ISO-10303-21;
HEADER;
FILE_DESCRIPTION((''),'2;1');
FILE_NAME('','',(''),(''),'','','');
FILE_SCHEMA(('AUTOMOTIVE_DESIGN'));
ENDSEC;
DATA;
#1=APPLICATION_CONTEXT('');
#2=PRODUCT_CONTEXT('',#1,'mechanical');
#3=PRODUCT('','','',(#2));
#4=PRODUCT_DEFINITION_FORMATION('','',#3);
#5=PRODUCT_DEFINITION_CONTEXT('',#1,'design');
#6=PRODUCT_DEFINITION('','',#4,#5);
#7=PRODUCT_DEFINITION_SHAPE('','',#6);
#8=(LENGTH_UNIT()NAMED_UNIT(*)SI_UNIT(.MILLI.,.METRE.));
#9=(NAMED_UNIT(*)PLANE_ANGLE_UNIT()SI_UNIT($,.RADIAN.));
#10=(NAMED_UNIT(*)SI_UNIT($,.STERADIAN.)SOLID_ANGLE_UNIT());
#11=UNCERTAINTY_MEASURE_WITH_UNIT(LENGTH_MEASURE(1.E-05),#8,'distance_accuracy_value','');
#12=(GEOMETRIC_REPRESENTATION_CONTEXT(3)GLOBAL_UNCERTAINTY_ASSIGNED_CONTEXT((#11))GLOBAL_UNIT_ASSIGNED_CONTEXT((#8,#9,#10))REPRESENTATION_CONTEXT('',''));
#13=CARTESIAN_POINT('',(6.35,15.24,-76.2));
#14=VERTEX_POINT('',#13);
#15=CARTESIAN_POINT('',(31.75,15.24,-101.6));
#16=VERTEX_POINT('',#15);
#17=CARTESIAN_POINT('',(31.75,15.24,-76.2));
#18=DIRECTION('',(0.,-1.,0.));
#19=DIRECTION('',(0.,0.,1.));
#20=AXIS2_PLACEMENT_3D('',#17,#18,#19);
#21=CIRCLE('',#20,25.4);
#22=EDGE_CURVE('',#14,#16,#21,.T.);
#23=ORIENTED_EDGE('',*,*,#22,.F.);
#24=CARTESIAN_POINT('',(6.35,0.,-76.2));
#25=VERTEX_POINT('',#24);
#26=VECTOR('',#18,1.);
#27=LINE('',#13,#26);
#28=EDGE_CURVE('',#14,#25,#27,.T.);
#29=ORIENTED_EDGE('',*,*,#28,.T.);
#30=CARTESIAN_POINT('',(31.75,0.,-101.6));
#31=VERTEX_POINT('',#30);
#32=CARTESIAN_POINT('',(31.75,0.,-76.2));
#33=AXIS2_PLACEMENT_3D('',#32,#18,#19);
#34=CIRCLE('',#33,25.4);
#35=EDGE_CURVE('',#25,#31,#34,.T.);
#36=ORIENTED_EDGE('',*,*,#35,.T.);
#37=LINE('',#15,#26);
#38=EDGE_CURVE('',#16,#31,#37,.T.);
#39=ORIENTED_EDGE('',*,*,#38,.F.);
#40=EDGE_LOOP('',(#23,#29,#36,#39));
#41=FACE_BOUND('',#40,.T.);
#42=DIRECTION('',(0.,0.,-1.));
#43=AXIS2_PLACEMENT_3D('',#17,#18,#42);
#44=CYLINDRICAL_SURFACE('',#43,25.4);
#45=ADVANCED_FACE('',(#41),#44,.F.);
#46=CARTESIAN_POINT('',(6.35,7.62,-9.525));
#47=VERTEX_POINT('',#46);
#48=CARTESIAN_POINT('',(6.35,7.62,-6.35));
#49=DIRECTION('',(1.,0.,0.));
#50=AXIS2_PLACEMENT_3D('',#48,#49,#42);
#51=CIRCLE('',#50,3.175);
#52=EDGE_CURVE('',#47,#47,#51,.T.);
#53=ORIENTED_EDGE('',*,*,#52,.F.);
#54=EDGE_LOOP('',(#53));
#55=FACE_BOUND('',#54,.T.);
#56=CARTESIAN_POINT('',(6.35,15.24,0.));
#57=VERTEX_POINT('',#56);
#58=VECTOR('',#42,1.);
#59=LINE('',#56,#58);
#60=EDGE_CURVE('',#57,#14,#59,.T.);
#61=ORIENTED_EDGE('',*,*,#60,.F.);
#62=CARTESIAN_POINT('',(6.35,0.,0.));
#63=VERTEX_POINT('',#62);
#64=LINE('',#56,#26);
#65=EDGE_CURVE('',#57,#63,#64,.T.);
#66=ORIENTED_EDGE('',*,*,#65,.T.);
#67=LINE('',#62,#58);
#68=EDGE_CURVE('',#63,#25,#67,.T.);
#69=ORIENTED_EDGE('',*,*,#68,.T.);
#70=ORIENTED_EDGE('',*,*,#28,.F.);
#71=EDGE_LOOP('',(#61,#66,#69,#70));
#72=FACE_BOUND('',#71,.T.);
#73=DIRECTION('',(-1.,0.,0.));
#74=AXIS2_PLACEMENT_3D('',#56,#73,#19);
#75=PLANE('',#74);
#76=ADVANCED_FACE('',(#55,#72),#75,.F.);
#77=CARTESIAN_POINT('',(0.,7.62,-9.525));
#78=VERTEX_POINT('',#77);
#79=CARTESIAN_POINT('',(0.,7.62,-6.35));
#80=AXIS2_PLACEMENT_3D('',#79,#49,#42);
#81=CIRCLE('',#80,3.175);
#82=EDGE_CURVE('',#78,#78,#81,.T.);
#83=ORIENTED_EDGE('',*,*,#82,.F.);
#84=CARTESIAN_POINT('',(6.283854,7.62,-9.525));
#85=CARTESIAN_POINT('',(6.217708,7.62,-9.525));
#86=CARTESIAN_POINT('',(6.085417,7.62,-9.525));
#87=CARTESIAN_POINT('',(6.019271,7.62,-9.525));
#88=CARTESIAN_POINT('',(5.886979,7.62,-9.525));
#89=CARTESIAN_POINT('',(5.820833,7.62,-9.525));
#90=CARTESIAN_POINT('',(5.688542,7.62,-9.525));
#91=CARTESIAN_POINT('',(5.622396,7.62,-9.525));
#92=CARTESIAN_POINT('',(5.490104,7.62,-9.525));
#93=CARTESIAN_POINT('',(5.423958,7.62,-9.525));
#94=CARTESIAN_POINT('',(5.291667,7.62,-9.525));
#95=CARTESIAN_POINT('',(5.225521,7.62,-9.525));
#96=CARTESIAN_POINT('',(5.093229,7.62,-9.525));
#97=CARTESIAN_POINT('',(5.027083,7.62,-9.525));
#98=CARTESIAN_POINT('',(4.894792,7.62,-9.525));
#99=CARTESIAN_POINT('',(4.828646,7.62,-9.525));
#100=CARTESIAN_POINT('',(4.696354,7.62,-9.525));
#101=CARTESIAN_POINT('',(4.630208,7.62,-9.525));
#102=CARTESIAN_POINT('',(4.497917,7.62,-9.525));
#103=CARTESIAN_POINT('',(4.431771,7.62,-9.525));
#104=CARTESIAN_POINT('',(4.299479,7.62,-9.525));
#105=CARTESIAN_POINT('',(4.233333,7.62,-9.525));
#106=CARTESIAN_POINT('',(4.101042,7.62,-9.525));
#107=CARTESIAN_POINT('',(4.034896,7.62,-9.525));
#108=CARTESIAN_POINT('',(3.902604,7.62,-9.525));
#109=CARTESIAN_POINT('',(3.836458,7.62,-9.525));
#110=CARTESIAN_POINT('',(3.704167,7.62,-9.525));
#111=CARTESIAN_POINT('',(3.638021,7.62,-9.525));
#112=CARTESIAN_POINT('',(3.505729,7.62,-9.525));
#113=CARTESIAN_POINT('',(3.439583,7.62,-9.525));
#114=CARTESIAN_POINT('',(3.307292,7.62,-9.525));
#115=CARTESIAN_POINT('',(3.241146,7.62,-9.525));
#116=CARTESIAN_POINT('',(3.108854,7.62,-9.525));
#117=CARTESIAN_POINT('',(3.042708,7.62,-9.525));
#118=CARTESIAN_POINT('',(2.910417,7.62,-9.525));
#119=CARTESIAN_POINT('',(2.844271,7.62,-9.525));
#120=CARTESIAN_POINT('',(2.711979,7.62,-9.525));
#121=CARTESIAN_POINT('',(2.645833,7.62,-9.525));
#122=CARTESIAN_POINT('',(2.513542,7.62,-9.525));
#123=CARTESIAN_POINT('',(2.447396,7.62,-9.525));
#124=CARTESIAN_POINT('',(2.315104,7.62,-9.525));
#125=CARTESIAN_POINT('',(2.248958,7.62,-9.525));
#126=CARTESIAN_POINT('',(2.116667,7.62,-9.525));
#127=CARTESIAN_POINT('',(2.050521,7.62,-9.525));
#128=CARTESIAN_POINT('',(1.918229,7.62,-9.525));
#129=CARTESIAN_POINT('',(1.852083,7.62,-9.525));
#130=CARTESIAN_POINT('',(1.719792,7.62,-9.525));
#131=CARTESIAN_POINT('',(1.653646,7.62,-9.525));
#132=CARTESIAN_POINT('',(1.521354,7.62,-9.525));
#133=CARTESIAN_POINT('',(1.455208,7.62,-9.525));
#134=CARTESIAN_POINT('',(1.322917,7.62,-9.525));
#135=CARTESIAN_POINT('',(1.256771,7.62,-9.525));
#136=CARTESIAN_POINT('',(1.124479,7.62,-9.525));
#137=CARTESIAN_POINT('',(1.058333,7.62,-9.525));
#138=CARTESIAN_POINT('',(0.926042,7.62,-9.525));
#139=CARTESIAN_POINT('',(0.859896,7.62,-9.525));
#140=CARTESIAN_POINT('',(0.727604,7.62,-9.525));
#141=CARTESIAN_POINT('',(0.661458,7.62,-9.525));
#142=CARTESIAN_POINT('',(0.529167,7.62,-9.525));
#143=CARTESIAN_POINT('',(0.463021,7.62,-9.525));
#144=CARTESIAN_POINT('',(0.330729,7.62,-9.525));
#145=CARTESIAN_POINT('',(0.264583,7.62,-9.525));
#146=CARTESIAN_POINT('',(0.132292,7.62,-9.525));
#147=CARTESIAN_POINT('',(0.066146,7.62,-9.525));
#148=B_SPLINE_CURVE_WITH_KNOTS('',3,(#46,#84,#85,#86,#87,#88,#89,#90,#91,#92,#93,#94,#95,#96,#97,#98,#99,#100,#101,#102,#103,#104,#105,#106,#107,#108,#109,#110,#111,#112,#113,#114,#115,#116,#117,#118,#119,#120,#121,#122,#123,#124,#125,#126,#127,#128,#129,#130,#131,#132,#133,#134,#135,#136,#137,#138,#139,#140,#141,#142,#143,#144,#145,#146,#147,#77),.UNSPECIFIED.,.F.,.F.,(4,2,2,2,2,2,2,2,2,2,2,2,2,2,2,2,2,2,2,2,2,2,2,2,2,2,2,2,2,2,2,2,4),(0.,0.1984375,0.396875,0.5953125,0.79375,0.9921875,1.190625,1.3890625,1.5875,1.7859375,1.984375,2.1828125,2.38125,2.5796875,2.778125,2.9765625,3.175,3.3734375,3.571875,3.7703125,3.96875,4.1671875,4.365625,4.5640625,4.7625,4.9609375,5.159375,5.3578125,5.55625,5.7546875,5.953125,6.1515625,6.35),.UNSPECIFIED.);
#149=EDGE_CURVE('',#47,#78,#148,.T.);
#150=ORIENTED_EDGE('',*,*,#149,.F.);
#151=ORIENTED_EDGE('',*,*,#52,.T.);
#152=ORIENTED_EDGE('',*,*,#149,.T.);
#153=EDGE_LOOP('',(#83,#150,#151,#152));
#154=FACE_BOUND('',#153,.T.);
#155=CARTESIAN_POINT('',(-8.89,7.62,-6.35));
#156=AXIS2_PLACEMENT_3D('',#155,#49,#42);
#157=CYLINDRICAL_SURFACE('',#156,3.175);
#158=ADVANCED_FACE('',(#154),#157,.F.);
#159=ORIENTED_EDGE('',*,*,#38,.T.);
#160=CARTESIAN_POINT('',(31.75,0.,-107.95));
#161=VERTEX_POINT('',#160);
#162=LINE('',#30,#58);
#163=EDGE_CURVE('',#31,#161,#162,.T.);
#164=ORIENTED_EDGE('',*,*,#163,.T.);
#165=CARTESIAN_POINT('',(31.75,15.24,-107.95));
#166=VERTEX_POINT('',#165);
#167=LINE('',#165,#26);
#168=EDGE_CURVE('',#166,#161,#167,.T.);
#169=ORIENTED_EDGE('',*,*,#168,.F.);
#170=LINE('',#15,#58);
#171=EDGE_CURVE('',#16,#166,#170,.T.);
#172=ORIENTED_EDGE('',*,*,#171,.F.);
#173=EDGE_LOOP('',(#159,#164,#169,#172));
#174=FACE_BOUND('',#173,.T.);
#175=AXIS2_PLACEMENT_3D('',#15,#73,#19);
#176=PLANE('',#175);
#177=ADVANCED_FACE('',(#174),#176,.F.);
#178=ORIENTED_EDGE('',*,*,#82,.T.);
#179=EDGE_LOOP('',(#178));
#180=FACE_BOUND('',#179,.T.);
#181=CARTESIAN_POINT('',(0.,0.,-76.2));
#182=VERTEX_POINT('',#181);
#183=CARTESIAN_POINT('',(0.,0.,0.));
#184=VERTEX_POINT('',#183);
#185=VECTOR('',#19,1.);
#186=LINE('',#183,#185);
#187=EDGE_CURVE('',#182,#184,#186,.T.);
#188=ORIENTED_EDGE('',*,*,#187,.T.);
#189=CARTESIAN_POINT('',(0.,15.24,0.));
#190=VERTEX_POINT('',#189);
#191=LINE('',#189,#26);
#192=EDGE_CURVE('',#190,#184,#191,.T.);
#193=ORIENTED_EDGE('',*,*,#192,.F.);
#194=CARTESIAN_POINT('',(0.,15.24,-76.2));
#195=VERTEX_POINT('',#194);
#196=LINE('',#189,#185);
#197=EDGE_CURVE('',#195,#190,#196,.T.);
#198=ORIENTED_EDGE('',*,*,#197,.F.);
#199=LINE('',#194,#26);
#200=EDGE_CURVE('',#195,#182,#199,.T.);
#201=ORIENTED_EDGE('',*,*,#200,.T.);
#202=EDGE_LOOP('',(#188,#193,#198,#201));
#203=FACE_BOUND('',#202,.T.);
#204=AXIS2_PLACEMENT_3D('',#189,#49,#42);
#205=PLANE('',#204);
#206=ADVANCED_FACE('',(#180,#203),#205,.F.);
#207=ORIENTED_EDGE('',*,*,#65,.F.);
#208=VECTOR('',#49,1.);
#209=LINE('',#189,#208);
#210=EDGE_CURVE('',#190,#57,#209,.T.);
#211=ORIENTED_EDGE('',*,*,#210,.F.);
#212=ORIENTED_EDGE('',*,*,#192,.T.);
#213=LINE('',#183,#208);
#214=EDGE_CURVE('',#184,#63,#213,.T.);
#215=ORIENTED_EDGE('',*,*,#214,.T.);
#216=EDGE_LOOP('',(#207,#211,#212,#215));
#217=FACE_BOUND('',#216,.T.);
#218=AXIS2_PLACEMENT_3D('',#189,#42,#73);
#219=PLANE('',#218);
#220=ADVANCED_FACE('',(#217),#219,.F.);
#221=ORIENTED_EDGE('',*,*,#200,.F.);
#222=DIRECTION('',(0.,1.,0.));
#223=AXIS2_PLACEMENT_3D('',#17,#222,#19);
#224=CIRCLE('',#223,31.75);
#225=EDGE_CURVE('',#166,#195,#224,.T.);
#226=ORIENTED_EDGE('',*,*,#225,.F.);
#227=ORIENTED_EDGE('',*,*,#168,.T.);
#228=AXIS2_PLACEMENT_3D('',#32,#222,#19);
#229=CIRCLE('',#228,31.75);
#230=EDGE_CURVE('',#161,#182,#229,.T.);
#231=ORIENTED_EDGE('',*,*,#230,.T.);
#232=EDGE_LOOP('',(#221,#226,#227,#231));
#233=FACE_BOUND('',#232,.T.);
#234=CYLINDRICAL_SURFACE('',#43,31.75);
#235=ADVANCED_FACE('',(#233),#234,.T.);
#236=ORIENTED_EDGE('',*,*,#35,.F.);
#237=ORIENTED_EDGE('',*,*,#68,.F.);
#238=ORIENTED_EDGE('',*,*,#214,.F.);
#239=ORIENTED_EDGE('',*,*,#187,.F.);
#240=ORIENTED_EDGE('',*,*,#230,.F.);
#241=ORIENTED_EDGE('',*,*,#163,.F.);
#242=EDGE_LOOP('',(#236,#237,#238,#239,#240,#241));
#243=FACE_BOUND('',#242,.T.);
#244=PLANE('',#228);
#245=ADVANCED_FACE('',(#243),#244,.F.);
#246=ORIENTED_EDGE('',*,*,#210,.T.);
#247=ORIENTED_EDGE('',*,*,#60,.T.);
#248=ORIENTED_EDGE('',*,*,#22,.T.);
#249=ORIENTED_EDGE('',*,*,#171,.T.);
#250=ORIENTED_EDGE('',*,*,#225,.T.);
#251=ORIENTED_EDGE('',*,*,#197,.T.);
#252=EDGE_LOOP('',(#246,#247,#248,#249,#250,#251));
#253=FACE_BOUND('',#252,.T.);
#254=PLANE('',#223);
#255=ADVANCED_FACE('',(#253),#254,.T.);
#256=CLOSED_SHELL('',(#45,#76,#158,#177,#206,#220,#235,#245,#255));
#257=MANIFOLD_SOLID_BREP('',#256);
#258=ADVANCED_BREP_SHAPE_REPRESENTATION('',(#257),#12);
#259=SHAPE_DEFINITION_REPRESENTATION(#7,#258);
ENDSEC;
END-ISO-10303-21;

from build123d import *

# Parameters (mm, degrees)
BOSS_EXTRUDE1_DEPTH = 15.24
SKETCH2_R           = 3.175
CUT_EXTRUDE1_DEPTH  = 15.24


with BuildPart() as part:
    # Sketch1 → Boss-Extrude1 (new body)
    with BuildSketch(Plane(origin=(0, 0, 0), x_dir=(1, 0, 0), z_dir=(0, 1, 0))):
        with BuildLine():
            Line((31.75, 101.6), (31.75, 107.95))
            ThreePointArc((31.75, 107.95), (9.299359697, 98.650640303), (0, 76.2))
            Line((0, 76.2), (0, 0))
            Line((0, 0), (6.35, 0))
            Line((6.35, 0), (6.35, 76.2))
            ThreePointArc((6.35, 76.2), (13.789487758, 94.160512242), (31.75, 101.6))
        make_face()
    extrude(amount=BOSS_EXTRUDE1_DEPTH)

    # Sketch2 → Cut-Extrude1 (cut)
    with BuildSketch(Plane(origin=(6.35, 0, 0), x_dir=(0, 0, -1), z_dir=(1, 0, 0))):
        with Locations((6.35, 7.62)):
            Circle(SKETCH2_R)
    extrude(amount=-CUT_EXTRUDE1_DEPTH, mode=Mode.SUBTRACT)


solid = part.part
